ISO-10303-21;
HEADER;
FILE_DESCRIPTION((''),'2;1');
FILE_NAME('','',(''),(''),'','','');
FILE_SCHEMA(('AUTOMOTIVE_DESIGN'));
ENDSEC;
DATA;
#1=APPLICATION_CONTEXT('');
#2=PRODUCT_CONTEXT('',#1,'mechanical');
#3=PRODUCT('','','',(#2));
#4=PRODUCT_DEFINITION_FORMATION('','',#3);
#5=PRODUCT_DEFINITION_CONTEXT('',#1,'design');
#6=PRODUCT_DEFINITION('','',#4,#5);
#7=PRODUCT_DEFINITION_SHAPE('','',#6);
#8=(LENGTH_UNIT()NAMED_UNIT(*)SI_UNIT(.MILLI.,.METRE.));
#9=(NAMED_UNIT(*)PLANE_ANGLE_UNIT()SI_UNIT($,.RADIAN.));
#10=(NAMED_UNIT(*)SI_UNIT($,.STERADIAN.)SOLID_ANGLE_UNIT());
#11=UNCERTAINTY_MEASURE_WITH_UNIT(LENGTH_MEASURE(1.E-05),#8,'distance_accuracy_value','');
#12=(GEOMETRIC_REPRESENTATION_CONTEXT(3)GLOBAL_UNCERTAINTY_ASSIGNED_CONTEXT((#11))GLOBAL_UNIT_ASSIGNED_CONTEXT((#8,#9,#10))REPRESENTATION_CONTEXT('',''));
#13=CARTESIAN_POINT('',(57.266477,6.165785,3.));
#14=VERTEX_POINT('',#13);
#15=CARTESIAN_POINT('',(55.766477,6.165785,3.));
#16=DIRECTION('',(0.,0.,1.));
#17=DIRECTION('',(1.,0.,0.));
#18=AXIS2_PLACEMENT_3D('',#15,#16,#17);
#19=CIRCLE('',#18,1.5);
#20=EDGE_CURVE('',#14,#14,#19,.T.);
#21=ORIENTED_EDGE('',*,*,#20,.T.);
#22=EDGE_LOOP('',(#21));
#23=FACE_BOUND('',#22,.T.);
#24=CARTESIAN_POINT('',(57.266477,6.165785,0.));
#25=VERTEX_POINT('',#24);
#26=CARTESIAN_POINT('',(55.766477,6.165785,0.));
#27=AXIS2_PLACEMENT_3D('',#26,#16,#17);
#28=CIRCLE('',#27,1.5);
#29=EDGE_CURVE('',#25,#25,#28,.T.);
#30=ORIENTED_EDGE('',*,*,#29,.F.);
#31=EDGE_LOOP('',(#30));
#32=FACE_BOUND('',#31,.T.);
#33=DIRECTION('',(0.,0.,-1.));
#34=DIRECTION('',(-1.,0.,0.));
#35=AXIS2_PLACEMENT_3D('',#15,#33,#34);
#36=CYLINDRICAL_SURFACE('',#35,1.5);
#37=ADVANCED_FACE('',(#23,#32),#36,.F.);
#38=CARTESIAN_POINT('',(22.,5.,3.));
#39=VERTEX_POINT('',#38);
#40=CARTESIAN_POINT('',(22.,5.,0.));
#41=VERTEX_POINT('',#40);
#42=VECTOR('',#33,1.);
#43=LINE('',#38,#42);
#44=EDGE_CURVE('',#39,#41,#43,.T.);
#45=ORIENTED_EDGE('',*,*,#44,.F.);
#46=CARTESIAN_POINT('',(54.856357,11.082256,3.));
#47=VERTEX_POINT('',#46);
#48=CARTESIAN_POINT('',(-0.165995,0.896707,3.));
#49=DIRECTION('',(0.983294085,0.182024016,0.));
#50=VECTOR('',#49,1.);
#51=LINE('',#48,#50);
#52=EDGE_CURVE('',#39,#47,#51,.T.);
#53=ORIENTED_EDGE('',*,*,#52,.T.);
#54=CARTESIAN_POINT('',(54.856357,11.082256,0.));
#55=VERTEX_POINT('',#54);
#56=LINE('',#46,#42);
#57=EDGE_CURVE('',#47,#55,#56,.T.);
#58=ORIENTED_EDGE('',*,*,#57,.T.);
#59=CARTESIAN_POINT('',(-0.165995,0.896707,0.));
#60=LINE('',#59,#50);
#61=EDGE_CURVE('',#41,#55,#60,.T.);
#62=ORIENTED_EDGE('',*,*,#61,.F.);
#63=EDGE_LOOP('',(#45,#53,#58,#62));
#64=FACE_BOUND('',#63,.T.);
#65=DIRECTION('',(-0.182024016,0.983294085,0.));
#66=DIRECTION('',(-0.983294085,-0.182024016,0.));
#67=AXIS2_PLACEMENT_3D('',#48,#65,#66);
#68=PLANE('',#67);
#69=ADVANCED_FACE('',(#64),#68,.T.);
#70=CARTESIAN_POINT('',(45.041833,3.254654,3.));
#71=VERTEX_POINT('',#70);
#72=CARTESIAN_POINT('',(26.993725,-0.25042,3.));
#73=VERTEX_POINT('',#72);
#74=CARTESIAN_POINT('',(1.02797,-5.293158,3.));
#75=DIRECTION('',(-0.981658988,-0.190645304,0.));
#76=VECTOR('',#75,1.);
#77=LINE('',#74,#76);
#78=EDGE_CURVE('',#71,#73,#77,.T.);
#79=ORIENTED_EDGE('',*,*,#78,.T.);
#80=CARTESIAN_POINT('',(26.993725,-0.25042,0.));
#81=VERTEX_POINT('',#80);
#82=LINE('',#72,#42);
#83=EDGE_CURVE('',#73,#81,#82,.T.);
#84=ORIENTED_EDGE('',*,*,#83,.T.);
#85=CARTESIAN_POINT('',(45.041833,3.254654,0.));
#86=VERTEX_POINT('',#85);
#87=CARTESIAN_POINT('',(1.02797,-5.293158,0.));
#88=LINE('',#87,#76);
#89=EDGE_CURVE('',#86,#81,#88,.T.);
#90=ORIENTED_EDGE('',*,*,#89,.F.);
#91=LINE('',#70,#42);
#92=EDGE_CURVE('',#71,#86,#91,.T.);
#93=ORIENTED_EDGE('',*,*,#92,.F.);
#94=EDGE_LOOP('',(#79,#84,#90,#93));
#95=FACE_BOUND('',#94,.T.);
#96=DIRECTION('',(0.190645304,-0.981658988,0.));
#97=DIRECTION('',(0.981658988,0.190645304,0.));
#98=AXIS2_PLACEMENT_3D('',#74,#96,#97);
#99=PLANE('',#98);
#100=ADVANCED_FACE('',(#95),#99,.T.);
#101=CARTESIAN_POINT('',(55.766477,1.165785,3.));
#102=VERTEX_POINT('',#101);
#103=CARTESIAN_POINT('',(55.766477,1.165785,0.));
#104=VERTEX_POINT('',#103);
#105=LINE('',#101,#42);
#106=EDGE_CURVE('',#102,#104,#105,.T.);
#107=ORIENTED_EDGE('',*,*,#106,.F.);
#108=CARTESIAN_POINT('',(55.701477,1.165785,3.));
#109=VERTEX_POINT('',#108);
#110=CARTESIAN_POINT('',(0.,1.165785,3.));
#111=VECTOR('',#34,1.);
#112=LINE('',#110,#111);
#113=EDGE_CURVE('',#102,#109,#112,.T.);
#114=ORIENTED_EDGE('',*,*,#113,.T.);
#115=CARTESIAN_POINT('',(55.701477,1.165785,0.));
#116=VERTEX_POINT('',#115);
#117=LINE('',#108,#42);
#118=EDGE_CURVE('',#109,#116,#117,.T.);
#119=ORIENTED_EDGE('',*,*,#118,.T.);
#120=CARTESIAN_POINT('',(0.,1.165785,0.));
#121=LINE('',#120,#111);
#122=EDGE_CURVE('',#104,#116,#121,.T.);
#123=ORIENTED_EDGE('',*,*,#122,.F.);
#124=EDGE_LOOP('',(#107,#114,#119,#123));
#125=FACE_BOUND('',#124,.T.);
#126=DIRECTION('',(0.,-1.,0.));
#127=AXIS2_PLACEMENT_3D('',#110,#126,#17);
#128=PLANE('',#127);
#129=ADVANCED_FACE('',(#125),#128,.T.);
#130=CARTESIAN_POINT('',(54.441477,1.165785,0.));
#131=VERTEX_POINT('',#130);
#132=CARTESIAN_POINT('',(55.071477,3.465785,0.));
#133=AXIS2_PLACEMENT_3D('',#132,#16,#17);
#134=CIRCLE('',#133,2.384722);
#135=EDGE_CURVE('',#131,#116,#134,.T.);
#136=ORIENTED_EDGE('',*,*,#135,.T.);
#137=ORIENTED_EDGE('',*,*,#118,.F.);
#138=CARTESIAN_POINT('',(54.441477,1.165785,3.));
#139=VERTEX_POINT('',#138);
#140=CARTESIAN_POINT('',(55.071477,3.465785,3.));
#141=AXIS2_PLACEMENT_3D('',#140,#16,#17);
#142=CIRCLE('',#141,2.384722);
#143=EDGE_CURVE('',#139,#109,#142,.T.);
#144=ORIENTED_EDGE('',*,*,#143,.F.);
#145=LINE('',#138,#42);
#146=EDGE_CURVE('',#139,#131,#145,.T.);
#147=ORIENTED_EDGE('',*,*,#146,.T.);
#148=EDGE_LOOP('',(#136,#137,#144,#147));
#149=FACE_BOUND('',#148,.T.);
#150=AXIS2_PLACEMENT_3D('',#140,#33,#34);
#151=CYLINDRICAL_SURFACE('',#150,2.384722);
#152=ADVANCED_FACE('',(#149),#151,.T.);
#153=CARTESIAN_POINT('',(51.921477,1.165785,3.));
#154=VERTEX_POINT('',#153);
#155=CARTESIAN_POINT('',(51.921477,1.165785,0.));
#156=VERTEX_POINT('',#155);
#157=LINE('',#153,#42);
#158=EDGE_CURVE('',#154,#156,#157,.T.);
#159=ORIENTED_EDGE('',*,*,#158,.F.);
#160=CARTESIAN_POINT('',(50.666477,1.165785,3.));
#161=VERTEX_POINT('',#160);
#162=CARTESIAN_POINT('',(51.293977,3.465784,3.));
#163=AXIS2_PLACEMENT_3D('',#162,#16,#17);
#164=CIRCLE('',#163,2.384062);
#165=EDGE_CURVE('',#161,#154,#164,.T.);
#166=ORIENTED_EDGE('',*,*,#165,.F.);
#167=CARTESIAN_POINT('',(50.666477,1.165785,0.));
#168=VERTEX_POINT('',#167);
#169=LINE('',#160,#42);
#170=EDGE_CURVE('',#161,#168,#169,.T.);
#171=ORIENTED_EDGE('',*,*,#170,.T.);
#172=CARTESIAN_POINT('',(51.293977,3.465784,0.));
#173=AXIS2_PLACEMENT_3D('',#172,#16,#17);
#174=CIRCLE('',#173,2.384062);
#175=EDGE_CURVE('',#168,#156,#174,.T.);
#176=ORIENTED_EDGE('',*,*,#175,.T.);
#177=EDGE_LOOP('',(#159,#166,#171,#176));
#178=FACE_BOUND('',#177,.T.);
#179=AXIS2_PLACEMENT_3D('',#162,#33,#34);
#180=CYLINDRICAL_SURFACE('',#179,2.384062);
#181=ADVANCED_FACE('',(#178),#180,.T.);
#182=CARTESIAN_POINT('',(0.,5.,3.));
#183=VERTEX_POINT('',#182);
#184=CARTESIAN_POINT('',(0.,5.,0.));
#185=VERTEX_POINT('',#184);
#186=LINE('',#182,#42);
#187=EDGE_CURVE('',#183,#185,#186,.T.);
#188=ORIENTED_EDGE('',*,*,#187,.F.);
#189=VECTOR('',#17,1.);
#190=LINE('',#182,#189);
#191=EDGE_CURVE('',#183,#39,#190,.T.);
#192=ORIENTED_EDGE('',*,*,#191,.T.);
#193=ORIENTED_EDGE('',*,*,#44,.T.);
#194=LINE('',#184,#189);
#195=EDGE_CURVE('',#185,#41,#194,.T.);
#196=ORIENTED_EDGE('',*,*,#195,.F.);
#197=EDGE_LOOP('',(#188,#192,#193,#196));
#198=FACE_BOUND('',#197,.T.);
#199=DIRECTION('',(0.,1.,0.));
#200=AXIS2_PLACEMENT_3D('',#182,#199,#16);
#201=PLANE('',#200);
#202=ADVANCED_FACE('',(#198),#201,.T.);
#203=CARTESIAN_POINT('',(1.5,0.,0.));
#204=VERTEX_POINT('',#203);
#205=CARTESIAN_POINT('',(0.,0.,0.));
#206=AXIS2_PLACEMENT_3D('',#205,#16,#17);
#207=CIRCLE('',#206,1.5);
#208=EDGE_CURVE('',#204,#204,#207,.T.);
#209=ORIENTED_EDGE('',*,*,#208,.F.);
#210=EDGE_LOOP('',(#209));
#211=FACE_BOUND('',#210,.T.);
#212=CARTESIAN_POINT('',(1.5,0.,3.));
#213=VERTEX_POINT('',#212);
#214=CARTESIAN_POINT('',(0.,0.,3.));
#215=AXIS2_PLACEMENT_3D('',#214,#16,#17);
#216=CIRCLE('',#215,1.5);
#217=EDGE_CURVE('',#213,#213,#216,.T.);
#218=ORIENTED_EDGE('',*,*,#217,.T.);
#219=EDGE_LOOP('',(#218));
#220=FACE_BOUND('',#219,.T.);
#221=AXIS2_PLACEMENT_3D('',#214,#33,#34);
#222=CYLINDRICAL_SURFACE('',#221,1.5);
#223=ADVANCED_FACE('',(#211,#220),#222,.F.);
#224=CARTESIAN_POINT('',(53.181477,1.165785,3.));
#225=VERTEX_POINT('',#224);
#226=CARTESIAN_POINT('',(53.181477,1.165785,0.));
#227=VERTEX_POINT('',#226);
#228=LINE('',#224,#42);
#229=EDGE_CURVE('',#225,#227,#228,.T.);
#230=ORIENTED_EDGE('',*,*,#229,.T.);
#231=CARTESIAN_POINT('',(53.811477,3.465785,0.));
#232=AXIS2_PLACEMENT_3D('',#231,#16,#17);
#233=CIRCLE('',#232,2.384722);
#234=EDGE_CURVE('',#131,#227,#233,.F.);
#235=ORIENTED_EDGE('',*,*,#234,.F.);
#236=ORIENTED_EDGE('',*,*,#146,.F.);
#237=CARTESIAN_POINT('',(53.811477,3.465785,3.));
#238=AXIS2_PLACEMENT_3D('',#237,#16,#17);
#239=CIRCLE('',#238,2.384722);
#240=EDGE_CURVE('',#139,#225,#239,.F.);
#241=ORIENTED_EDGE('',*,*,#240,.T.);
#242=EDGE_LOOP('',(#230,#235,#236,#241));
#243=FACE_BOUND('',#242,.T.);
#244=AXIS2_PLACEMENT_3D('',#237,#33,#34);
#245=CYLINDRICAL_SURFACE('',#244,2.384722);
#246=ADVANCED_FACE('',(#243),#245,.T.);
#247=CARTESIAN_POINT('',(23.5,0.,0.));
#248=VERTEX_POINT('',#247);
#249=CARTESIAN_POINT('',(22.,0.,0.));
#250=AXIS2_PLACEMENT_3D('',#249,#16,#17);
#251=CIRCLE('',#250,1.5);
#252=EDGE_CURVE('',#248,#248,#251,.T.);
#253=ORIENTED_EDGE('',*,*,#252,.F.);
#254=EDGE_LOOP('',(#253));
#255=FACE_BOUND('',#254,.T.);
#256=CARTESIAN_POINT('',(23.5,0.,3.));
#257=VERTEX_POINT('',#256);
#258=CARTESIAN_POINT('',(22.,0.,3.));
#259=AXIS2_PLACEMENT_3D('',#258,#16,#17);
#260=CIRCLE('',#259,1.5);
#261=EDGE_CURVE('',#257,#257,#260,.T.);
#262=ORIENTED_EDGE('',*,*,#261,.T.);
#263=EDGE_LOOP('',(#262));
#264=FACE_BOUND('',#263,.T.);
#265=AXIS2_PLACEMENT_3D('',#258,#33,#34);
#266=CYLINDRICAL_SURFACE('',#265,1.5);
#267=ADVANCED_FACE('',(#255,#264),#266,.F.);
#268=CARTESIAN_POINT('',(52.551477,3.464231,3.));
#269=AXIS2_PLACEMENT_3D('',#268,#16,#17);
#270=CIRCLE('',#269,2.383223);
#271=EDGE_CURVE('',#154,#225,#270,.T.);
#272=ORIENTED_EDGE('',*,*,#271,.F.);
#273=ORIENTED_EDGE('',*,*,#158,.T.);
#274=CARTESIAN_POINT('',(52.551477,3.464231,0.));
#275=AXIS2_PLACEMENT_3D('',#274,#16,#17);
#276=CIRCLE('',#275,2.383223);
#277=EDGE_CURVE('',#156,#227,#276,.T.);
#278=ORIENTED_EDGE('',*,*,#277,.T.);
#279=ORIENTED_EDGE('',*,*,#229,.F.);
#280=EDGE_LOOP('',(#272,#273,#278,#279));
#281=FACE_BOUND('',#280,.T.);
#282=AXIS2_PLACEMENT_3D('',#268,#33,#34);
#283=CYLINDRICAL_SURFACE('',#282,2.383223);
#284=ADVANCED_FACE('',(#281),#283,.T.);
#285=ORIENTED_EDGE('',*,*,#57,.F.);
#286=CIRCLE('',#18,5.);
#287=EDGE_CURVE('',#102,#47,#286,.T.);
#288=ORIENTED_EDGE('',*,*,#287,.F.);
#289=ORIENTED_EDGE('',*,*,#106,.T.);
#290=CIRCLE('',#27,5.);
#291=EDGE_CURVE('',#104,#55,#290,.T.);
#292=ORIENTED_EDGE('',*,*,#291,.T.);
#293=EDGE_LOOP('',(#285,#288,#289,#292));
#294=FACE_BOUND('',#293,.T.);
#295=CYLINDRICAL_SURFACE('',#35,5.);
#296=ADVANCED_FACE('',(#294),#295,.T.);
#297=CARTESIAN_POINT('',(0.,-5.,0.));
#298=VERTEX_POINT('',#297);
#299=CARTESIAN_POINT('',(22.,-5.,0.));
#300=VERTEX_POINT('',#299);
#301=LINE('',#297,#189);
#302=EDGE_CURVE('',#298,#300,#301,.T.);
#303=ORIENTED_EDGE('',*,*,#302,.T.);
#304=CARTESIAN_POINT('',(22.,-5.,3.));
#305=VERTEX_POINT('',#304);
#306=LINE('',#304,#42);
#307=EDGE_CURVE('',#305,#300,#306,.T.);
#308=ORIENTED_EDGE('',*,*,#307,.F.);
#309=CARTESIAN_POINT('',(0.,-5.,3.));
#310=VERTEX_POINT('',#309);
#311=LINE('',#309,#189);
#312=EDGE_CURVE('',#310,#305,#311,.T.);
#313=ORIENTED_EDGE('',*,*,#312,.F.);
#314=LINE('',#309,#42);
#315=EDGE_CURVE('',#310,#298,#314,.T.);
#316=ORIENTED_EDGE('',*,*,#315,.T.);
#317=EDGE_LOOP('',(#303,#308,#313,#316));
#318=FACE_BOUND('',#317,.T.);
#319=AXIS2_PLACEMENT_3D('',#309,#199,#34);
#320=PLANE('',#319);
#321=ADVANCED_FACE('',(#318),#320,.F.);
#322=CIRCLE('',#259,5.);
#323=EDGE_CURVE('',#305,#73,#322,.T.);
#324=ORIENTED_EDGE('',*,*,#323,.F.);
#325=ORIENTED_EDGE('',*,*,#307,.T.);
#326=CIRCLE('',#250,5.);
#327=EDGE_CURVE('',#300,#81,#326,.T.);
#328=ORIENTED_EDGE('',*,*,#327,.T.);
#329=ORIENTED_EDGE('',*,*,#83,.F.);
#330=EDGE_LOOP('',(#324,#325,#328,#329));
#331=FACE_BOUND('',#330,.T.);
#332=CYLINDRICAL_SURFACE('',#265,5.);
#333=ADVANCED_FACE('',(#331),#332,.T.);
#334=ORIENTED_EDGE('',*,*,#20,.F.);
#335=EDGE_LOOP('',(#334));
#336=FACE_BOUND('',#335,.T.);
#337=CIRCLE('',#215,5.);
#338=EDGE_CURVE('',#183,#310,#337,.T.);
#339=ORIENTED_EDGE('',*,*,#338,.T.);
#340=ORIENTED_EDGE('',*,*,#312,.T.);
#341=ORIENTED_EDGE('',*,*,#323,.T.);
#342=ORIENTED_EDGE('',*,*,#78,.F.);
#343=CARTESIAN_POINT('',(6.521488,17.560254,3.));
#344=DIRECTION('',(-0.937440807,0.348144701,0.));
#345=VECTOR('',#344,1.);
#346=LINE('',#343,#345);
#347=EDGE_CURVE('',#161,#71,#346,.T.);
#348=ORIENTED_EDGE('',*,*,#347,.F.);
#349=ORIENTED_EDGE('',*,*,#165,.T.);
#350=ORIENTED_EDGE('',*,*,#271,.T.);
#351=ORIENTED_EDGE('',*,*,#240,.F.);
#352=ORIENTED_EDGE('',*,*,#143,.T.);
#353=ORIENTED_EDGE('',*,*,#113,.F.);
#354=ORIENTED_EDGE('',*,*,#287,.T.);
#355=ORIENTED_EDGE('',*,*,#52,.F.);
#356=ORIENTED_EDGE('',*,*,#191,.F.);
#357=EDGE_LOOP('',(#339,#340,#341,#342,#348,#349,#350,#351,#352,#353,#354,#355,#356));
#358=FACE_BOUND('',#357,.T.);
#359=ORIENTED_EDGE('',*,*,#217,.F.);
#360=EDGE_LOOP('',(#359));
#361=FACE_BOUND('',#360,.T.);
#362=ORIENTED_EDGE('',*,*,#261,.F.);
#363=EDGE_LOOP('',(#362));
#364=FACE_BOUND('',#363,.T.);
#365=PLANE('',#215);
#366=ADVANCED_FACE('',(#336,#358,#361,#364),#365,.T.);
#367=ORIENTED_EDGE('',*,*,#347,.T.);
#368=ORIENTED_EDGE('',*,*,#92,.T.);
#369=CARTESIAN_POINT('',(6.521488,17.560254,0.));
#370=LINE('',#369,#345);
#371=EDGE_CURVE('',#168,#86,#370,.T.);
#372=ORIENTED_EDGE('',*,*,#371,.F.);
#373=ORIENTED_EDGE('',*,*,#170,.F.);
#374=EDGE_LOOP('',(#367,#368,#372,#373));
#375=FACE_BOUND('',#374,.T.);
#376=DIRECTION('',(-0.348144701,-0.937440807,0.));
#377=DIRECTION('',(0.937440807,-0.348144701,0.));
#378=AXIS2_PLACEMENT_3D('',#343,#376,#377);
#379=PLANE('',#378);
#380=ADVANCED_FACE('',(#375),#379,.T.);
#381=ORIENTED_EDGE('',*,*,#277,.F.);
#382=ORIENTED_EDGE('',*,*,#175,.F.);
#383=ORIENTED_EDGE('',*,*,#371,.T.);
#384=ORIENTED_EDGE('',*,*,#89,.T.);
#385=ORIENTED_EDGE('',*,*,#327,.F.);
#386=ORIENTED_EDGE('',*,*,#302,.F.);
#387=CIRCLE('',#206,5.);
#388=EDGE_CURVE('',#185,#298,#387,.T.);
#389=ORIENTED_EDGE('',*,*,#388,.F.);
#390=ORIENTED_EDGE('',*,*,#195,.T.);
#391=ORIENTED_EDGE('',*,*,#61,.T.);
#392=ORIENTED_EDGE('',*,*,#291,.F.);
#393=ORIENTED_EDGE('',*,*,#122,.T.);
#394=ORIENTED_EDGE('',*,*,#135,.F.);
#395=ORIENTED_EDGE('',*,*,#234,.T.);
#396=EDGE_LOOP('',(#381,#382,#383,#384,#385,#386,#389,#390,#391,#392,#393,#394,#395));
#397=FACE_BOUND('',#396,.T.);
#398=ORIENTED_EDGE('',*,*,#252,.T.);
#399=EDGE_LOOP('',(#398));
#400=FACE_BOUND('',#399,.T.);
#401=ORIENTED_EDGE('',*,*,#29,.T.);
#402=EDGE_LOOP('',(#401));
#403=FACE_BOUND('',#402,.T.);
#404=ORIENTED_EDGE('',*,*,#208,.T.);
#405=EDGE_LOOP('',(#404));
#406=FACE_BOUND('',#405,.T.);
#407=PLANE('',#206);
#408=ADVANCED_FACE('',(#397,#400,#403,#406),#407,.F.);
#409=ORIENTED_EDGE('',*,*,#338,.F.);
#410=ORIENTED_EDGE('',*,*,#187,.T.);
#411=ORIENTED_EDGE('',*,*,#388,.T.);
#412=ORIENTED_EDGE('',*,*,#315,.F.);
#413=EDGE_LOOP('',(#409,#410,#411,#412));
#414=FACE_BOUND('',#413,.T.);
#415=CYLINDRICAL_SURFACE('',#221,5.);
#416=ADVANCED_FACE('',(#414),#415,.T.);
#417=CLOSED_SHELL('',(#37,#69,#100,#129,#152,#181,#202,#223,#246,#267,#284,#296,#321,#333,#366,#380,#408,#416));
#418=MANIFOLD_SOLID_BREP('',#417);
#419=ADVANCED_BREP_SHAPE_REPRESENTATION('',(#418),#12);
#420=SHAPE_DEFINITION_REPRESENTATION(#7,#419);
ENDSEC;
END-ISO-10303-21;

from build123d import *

# Parameters (mm, degrees)
SCHIZZO1_R                   = 1.5
ESTRUSIONE_ESTRUSIONE1_DEPTH = 3


with BuildPart() as part:
    # Schizzo1 → Estrusione-Estrusione1 (new body)
    with BuildSketch(Plane.XY):
        with BuildLine():
            Line((22, 5), (0, 5))
            ThreePointArc((0, 5), (-5, 0), (0, -5))
            Line((0, -5), (22, -5))
            ThreePointArc((22, -5), (25.445859834, -3.622989098), (26.993725045, -0.250420003))
            Line((26.993725045, -0.250420003), (45.041832618, 3.254653548))
            Line((45.041832618, 3.254653548), (50.666477461, 1.165785339))
            ThreePointArc((50.666477461, 1.165785339), (51.293977461, 1.08172232), (51.921477461, 1.165785339))
            ThreePointArc((51.921477461, 1.165785339), (52.551477461, 1.081007878), (53.181477461, 1.165785339))
            ThreePointArc((53.181477461, 1.165785339), (53.811477461, 1.081063133), (54.441477461, 1.165785339))
            ThreePointArc((54.441477461, 1.165785339), (55.071477461, 1.081063133), (55.701477461, 1.165785339))
            Line((55.701477461, 1.165785339), (55.766477461, 1.165785339))
            ThreePointArc((55.766477461, 1.165785339), (60.745551277, 6.622757917), (54.856357382, 11.082255764))
            Line((54.856357382, 11.082255764), (22, 5))
        make_face()
        Circle(SCHIZZO1_R, mode=Mode.SUBTRACT)
        with Locations((22, 0)):
            Circle(SCHIZZO1_R, mode=Mode.SUBTRACT)
        with Locations((55.766477461, 6.165785339)):
            Circle(SCHIZZO1_R, mode=Mode.SUBTRACT)
    extrude(amount=ESTRUSIONE_ESTRUSIONE1_DEPTH)


solid = part.part
